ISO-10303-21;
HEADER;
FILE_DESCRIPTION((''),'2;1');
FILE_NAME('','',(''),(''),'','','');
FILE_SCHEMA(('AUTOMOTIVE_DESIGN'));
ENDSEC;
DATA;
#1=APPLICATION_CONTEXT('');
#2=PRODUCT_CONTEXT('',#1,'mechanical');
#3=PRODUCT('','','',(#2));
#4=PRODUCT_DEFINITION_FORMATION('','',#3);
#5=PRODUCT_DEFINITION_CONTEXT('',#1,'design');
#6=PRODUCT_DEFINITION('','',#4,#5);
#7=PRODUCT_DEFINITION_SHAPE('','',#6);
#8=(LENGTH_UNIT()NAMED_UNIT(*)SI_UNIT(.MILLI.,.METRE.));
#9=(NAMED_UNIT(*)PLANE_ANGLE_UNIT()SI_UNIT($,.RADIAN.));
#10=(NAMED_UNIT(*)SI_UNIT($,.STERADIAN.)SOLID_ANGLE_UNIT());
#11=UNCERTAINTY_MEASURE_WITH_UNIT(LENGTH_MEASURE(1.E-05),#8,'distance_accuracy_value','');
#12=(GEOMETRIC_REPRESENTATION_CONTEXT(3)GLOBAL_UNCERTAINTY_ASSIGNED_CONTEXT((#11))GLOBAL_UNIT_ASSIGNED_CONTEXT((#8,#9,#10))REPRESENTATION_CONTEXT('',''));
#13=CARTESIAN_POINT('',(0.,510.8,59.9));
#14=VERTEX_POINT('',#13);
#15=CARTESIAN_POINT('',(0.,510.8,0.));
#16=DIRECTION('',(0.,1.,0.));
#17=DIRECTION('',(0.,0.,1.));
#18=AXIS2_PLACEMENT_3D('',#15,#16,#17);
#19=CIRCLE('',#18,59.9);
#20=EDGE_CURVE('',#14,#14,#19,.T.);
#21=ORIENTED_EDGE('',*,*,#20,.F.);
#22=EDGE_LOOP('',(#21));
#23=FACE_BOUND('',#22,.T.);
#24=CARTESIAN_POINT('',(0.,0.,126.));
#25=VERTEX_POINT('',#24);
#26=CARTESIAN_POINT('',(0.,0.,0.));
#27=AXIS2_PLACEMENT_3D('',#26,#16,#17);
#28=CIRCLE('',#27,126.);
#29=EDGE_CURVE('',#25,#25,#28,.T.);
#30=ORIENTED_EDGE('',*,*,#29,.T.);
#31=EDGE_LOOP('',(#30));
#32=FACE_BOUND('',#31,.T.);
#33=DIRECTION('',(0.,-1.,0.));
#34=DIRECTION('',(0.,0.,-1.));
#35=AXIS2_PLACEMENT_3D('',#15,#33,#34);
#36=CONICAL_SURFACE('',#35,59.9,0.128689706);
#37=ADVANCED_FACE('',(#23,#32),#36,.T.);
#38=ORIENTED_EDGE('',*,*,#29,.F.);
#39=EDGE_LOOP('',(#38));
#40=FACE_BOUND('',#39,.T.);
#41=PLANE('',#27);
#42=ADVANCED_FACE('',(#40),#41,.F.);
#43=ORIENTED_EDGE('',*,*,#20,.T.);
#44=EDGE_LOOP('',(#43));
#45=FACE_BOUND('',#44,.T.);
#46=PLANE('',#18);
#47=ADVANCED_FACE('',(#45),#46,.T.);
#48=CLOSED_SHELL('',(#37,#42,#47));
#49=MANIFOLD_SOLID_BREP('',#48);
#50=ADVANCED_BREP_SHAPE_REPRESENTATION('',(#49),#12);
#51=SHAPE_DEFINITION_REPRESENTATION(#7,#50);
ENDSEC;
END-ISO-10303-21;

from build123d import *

# Parameters (mm, degrees)
SKETCH1_R = 126
SKETCH2_R = 59.9


with BuildPart() as part:
    # Sketch1 → Loft1 section 0
    with BuildSketch(Plane(origin=(0, 0, 0), x_dir=(1, 0, 0), z_dir=(0, 1, 0))):
        Circle(SKETCH1_R)
    # Sketch2 → Loft1 section 1
    with BuildSketch(Plane(origin=(0, 510.8, 0), x_dir=(1, 0, 0), z_dir=(0, 1, 0))):
        Circle(SKETCH2_R)
    loft()


solid = part.part
